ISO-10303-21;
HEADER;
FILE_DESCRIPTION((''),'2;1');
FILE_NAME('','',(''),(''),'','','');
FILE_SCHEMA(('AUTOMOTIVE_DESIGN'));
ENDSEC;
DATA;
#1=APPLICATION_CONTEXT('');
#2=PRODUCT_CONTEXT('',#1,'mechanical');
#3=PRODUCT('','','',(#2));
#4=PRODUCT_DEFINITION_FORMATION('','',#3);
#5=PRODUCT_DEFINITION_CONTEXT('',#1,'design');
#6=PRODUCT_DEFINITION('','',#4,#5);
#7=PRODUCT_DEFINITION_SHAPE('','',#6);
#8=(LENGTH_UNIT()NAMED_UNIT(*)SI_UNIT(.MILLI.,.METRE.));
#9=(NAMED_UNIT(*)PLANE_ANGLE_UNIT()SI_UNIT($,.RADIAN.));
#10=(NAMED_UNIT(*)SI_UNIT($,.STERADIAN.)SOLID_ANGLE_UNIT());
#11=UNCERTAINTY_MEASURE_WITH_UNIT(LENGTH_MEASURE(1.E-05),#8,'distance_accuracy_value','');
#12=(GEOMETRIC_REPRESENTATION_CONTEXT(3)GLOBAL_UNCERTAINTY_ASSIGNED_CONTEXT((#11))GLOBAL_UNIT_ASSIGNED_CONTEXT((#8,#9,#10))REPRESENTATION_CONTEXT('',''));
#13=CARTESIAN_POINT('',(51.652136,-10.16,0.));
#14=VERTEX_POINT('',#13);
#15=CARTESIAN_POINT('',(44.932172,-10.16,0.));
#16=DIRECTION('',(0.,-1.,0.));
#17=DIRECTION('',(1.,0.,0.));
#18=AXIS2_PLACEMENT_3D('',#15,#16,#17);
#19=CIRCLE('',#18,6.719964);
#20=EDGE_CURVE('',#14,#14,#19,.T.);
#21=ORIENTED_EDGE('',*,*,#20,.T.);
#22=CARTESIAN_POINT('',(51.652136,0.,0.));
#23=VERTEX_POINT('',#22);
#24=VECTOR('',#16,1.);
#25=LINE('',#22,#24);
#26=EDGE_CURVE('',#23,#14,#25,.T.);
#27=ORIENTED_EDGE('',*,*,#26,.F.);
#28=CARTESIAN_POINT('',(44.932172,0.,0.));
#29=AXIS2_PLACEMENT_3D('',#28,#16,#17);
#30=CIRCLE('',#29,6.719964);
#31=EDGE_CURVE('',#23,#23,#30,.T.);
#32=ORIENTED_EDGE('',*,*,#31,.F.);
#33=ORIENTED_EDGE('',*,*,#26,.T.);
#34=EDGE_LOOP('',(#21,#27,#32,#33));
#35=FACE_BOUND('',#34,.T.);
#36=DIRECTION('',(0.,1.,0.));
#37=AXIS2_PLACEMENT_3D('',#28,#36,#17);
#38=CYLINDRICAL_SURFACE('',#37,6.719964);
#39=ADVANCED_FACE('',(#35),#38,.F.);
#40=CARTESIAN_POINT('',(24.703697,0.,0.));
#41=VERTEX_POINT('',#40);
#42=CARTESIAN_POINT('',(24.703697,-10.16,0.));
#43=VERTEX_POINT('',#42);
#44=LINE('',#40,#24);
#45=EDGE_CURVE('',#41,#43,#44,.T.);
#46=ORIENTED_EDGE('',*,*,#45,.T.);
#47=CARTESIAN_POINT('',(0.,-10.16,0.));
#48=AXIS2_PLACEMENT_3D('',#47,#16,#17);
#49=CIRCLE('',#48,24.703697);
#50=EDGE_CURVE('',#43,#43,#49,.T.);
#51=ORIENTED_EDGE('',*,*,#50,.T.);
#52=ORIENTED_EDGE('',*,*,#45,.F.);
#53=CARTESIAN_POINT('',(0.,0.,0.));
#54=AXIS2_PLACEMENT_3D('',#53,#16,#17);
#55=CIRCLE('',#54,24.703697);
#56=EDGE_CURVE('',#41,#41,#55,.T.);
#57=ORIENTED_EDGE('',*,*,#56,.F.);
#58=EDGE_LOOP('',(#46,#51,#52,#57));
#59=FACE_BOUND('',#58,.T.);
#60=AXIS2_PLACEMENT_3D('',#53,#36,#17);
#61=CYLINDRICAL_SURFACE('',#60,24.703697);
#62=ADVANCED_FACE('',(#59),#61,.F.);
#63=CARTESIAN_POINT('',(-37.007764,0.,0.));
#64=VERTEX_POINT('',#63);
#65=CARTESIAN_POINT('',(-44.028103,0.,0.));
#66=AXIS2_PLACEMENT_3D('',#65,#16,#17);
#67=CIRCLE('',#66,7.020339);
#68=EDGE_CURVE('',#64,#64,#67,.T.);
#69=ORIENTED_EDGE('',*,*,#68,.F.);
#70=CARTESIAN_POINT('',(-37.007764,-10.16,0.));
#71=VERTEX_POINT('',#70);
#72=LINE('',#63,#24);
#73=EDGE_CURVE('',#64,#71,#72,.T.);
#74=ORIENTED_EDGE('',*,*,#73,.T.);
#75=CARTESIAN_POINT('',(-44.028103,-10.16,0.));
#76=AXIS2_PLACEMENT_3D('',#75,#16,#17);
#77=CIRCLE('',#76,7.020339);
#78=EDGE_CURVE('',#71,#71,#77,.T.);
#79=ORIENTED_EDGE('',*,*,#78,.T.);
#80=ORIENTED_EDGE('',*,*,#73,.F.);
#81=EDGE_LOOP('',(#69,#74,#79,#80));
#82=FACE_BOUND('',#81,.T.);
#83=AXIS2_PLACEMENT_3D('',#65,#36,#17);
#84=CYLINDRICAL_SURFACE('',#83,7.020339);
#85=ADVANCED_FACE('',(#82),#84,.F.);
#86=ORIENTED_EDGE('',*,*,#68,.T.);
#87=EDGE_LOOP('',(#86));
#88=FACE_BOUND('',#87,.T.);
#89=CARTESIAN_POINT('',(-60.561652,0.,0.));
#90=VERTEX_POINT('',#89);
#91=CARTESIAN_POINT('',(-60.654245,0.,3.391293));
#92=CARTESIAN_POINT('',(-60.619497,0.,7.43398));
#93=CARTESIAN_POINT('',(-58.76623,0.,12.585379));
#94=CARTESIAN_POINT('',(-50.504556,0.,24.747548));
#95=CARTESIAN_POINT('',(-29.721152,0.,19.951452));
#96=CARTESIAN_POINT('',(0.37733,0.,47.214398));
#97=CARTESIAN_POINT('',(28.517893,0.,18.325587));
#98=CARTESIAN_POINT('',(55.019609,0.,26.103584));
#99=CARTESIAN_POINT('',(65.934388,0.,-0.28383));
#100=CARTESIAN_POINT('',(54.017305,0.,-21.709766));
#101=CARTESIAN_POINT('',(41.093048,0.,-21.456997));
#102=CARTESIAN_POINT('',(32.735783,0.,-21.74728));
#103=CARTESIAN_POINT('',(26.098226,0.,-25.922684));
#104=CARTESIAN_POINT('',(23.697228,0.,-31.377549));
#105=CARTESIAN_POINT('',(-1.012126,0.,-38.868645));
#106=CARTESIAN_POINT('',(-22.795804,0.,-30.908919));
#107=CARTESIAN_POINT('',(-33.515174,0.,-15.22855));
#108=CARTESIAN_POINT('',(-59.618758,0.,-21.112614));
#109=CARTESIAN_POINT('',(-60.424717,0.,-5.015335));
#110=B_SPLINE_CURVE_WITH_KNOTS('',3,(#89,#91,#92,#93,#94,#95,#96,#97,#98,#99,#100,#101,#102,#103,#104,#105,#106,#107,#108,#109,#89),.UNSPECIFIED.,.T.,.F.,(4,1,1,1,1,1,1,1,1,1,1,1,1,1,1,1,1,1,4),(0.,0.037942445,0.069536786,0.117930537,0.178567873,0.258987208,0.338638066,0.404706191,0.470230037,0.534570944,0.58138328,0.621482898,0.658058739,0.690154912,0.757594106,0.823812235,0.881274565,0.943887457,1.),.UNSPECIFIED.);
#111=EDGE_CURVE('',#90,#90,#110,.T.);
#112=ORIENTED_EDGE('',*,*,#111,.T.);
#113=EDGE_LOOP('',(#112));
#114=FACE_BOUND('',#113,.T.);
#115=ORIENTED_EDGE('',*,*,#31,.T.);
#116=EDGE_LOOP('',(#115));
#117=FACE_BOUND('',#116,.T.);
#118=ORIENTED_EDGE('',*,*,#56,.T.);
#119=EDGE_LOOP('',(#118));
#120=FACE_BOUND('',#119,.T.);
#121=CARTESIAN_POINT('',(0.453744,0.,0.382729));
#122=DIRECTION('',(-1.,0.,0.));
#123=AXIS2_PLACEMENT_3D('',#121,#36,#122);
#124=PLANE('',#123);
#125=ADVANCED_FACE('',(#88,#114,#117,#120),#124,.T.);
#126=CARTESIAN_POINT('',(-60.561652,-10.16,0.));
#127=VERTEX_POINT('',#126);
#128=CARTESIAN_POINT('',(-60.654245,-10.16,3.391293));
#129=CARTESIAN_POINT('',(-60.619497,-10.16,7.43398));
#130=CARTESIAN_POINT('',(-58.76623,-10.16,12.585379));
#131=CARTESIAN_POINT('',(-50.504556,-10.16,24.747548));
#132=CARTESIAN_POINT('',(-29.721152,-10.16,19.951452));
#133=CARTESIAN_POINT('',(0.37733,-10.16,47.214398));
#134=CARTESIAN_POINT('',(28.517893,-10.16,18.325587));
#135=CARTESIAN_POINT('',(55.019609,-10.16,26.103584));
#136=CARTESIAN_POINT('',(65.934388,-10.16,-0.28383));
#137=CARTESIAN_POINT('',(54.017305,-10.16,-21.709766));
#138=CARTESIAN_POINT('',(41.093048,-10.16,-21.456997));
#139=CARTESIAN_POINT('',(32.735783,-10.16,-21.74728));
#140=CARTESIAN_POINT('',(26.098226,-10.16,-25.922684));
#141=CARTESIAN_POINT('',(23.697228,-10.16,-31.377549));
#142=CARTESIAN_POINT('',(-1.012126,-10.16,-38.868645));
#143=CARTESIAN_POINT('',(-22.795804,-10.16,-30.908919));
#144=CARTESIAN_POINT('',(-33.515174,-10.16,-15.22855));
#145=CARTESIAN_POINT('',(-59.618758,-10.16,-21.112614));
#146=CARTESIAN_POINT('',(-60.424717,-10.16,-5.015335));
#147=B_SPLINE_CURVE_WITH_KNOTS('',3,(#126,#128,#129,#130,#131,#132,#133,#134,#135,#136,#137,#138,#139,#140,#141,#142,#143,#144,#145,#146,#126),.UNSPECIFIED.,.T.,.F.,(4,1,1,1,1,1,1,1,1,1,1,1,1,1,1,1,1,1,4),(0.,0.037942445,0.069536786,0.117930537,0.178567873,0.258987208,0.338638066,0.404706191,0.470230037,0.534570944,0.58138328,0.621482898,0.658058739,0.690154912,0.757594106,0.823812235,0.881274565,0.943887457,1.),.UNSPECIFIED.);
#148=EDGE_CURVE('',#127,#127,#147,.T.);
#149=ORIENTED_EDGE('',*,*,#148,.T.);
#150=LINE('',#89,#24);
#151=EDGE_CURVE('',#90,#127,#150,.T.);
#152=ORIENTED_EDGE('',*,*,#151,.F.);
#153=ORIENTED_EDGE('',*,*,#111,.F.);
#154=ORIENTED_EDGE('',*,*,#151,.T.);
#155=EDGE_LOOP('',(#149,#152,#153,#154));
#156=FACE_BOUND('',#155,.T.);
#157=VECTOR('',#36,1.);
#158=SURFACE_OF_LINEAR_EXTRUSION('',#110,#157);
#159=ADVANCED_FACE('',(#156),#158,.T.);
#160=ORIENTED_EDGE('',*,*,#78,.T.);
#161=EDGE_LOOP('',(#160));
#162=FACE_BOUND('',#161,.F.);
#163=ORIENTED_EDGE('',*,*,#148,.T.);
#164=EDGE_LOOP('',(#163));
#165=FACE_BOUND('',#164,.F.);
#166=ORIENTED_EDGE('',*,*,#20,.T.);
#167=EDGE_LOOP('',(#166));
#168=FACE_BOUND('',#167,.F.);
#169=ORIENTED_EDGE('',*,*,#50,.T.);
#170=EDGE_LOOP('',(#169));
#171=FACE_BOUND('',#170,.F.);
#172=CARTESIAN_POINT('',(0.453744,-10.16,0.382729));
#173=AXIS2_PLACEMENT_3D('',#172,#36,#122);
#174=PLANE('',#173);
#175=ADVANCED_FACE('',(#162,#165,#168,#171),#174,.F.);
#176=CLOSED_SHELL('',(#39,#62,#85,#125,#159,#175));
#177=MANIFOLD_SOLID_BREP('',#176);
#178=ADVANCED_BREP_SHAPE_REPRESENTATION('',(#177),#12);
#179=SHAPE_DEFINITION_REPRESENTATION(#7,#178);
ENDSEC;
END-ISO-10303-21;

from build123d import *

# Parameters (mm, degrees)
F0_R     = 7.0203394931
F0_R_2   = 24.703696686
F0_R_3   = 6.7199643272
F1_DEPTH = 10.16


with BuildPart() as f1:
    # F0 (on Front) → F1 (new body)
    with BuildSketch(Plane.XZ):
        with BuildLine():
            add(Edge.make_bspline(
                [(-60.5616519895, 0), (-60.6542454975, 3.3912930131), (-60.6194965487, 7.4339798932), (-58.7662303082, 12.5853788568), (-50.5045562127, 24.7475484461), (-29.7211516148, 19.9514521774), (0.3773300897, 47.2143983449), (28.5178933466, 18.3255869851), (55.0196092365, 26.1035844004), (65.9343878533, -0.2838297696), (54.0173050883, -21.7097657377), (41.0930480147, -21.456996975), (32.7357832895, -21.7472799961), (26.0982260927, -25.9226837094), (23.6972280421, -31.3775485139), (-1.0121260828, -38.8686446252), (-22.7958044471, -30.9089194011), (-33.5151739519, -15.2285497729), (-59.6187584572, -21.1126142493), (-60.4247167661, -5.015335053), (-60.5616519895, 0)],
                knots=[0, 0, 0, 0, 0.0379424449, 0.0695367858, 0.1179305369, 0.1785678729, 0.2589872078, 0.338638066, 0.404706191, 0.4702300365, 0.5345709445, 0.5813832795, 0.6214828978, 0.6580587393, 0.6901549123, 0.7575941063, 0.8238122351, 0.8812745647, 0.9438874573, 1, 1, 1, 1], degree=3))
        make_face()
        with Locations((-44.0281033516, 0)):
            Circle(F0_R, mode=Mode.SUBTRACT)
        Circle(F0_R_2, mode=Mode.SUBTRACT)
        with Locations((44.9321717024, 0)):
            Circle(F0_R_3, mode=Mode.SUBTRACT)
    extrude(amount=F1_DEPTH)


solid = f1.part
